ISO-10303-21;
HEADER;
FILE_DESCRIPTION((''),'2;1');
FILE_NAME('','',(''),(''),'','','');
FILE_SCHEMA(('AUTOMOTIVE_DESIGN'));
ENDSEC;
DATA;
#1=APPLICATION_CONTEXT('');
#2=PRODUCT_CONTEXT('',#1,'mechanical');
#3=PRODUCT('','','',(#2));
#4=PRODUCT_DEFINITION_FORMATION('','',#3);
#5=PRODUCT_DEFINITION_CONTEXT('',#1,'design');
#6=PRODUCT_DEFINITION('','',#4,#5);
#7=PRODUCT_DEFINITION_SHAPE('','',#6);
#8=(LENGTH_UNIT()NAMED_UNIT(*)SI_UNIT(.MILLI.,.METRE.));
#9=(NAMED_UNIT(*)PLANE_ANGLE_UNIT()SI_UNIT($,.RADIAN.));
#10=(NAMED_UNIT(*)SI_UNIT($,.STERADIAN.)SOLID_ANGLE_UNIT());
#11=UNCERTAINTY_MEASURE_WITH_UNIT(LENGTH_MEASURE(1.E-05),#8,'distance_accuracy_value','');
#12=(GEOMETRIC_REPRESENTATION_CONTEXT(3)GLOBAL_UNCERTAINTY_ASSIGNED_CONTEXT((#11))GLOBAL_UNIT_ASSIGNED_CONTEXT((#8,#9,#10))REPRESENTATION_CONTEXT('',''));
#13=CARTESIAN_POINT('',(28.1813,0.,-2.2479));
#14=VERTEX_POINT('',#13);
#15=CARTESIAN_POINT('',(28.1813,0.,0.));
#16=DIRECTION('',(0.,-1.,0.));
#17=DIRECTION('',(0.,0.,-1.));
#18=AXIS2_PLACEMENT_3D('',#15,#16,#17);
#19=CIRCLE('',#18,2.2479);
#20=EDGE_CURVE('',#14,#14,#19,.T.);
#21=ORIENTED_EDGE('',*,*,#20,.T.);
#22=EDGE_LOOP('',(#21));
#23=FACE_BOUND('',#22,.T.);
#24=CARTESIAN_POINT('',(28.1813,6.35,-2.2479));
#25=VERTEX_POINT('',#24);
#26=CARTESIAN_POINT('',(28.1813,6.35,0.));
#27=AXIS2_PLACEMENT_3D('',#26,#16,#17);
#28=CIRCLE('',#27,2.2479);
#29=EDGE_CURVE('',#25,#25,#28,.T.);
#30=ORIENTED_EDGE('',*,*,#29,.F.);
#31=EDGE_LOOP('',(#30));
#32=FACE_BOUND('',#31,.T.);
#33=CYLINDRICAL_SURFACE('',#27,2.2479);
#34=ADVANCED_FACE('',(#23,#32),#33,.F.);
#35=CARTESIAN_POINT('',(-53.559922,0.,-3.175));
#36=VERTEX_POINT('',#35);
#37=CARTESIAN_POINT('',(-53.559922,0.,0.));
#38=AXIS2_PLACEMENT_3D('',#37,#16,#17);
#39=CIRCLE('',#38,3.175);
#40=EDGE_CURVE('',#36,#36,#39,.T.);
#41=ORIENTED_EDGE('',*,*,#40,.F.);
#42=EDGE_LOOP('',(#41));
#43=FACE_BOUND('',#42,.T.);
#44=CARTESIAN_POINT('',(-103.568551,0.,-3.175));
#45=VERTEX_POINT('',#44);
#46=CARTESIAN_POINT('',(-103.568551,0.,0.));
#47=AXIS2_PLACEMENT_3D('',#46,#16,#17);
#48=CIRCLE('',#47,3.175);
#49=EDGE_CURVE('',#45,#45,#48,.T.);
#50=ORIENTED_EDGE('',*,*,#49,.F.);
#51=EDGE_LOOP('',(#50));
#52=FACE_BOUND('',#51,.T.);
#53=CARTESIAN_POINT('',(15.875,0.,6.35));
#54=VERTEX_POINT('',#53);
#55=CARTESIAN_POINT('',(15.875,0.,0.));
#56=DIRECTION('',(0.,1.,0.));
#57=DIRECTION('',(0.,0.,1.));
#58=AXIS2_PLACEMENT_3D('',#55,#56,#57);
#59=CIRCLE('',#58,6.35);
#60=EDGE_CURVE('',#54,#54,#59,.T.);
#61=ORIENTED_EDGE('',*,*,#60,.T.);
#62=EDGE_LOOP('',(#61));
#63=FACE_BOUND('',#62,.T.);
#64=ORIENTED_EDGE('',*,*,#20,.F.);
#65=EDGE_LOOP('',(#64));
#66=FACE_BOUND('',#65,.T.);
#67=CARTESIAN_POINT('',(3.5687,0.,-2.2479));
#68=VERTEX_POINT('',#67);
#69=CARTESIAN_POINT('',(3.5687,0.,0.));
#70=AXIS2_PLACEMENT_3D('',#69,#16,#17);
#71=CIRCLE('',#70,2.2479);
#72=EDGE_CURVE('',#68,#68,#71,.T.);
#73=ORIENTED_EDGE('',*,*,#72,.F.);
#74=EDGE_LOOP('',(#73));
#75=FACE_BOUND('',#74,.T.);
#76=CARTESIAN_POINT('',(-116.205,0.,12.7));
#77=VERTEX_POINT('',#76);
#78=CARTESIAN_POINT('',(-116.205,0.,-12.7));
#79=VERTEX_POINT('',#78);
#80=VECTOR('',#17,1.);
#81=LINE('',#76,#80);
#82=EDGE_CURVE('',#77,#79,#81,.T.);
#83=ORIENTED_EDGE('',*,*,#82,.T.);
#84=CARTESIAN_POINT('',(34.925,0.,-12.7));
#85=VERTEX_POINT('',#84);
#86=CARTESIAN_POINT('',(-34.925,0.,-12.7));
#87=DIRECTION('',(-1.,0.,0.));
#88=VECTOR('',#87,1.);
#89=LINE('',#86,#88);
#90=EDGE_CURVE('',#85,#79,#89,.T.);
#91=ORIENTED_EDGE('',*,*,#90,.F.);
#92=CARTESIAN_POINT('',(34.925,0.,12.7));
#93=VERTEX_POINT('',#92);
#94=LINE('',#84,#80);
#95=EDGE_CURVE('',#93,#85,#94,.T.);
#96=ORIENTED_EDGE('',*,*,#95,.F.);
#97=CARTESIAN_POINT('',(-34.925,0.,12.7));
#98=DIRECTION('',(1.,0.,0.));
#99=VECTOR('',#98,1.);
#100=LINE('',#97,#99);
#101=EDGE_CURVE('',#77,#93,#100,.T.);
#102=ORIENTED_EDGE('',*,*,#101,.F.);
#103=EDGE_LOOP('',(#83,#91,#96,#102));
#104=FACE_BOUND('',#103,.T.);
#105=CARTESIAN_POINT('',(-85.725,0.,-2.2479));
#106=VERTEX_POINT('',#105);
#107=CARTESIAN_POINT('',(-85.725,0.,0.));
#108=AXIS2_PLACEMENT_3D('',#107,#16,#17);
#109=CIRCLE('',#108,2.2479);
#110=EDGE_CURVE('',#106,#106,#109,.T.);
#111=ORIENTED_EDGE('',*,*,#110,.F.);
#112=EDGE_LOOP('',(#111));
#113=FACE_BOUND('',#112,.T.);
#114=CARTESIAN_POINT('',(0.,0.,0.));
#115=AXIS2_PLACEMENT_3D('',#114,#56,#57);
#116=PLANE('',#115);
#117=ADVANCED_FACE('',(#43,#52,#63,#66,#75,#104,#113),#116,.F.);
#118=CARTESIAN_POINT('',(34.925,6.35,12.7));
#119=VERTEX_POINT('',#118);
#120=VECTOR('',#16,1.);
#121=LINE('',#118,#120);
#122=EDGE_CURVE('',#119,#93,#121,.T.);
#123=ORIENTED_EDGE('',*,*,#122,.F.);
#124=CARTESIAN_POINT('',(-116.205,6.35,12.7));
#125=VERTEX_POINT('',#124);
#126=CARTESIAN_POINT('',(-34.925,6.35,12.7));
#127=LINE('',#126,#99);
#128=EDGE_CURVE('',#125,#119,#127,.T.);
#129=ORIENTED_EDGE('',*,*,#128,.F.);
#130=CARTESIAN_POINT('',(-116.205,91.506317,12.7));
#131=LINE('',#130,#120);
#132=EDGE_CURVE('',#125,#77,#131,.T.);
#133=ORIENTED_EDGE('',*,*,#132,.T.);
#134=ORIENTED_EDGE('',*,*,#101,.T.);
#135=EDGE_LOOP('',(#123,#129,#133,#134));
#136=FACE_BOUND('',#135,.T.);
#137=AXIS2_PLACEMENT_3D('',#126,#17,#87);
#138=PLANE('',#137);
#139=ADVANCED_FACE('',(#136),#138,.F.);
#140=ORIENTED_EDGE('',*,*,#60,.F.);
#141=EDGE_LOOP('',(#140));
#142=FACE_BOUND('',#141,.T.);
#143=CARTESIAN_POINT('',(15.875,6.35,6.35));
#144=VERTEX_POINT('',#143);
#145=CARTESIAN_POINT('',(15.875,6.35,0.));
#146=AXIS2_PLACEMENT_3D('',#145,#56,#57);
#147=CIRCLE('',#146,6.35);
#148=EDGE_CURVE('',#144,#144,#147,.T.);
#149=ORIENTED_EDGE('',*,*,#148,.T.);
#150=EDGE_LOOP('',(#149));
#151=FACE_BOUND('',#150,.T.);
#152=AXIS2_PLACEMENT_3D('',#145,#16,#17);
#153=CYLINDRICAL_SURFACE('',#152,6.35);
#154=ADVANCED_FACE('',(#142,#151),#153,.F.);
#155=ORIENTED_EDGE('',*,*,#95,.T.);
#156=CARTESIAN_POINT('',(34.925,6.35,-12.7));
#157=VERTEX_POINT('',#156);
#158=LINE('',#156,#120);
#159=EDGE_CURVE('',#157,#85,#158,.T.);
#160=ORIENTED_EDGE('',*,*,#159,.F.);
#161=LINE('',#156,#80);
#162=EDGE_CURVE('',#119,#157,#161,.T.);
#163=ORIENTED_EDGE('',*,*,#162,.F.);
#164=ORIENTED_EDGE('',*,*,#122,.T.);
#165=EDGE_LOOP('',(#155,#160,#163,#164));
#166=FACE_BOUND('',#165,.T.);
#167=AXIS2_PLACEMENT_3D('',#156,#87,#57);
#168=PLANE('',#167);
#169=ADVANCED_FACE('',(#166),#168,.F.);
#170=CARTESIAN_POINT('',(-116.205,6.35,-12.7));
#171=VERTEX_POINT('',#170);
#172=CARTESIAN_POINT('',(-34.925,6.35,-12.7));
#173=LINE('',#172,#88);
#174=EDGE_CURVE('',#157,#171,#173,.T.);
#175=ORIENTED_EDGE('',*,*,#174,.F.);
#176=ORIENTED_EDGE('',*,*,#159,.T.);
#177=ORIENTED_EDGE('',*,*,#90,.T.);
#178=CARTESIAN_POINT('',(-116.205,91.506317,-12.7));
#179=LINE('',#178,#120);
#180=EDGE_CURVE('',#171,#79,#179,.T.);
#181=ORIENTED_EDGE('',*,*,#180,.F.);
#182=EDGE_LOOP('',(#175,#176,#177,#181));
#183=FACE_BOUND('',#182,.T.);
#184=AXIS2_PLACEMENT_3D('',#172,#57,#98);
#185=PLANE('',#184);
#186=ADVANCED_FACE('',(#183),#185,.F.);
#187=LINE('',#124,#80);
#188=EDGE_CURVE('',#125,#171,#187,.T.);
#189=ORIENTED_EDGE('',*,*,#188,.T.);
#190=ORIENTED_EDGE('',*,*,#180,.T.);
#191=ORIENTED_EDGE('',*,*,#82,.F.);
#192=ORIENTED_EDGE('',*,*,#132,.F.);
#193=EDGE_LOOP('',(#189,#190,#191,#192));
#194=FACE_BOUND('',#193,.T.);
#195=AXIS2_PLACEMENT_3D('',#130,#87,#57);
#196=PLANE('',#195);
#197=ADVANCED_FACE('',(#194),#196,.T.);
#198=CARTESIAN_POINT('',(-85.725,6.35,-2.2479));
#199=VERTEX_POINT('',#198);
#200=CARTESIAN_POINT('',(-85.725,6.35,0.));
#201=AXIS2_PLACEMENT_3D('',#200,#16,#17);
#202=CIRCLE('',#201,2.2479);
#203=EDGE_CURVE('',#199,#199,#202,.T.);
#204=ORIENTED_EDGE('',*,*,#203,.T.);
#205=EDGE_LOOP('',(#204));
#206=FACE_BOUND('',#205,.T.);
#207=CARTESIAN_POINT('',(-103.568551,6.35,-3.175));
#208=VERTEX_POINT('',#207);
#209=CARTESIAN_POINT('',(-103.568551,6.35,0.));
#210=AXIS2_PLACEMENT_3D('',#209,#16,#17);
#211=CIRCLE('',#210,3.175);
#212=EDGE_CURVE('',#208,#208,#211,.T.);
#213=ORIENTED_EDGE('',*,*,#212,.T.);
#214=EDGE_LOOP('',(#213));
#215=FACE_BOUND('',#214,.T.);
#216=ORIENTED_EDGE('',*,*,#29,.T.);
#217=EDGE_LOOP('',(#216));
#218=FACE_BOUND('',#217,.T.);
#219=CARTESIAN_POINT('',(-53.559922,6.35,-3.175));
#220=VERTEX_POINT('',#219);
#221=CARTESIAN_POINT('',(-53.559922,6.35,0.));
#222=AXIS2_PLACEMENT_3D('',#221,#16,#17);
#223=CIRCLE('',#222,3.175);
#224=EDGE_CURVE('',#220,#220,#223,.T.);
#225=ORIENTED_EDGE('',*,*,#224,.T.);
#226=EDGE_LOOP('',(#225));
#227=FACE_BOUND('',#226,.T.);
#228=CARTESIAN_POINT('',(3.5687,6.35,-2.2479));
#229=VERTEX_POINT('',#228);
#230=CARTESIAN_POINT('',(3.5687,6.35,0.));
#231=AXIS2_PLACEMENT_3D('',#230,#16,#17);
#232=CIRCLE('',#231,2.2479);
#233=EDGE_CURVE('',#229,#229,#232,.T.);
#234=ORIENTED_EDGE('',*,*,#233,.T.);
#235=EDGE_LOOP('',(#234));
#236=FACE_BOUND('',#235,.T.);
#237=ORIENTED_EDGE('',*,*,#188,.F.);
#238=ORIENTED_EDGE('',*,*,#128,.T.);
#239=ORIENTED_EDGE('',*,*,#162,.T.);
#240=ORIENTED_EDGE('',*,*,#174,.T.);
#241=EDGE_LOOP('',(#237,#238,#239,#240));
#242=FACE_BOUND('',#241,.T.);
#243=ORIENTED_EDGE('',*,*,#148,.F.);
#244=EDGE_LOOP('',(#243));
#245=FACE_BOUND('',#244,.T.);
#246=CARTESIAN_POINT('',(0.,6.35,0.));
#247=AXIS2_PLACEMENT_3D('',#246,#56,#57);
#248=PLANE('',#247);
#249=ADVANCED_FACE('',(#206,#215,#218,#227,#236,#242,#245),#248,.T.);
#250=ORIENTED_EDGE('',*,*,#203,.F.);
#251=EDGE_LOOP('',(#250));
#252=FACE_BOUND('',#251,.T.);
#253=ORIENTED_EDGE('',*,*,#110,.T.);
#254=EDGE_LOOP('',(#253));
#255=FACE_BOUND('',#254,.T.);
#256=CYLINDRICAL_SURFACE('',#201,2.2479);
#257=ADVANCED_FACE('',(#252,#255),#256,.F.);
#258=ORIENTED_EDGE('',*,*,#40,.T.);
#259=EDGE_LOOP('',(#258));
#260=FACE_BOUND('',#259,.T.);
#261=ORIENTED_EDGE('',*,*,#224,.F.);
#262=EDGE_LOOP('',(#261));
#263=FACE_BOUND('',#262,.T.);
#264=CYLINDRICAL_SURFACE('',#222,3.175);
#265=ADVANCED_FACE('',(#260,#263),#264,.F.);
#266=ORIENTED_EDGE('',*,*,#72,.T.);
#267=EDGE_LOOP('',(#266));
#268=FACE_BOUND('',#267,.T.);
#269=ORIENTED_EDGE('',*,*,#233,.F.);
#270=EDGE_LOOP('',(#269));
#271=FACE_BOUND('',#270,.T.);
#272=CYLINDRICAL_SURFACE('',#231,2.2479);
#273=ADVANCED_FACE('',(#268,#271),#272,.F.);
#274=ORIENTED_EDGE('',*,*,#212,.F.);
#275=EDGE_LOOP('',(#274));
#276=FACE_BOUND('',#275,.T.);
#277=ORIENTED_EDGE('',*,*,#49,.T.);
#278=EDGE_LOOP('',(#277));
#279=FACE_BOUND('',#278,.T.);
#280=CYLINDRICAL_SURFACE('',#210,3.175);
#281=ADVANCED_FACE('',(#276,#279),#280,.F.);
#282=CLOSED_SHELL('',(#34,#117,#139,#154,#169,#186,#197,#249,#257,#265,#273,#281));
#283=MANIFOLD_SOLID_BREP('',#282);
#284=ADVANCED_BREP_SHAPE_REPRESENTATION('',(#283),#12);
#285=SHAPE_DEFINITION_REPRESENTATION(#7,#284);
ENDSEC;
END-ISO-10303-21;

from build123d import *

# Parameters (mm, degrees)
SKETCH1_W           = 69.85
SKETCH1_H           = 25.4
SKETCH1_R           = 6.35
BOSS_EXTRUDE1_DEPTH = 6.35
SKETCH3_W           = 81.28
SKETCH3_H           = 25.4
BOSS_EXTRUDE2_DEPTH = 6.35
SKETCH4_R           = 3.175
SKETCH4_R_2         = 2.2479
CUT_EXTRUDE2_DEPTH  = 118.069272335
SKETCH5_R           = 2.2479
CUT_EXTRUDE3_DEPTH  = 118.069272335


with BuildPart() as part:
    # Sketch1 → Boss-Extrude1 (new body)
    with BuildSketch(Plane(origin=(0, 0, 0), x_dir=(1, 0, 0), z_dir=(0, 1, 0))):
        Rectangle(SKETCH1_W, SKETCH1_H)
        with Locations(Location((15.875, 0, 0), (0, 0, 270))):
            Circle(SKETCH1_R, mode=Mode.SUBTRACT)
    extrude(amount=BOSS_EXTRUDE1_DEPTH)

    # Sketch3 → Boss-Extrude2 (add)
    with BuildSketch(Plane.XZ):
        with Locations((-75.565, 0)):
            Rectangle(SKETCH3_W, SKETCH3_H)
    extrude(amount=-BOSS_EXTRUDE2_DEPTH)

    # Sketch4 → Cut-Extrude2 (cut, through all)
    with BuildSketch(Plane.XZ):
        with Locations(Location((-53.55992209, 0, 0), (0, 0, 270))):
            Circle(SKETCH4_R)
        with Locations(Location((-85.725, 0, 0), (0, 0, 270))):
            Circle(SKETCH4_R_2)
        with Locations(Location((-103.5685508, 0, 0), (0, 0, 270))):
            Circle(SKETCH4_R)
    extrude(amount=-CUT_EXTRUDE2_DEPTH, mode=Mode.SUBTRACT)

    # Sketch5 → Cut-Extrude3 (cut, through all)
    with BuildSketch(Plane.XZ):
        with Locations(Location((28.1813, 0, 0), (0, 0, 270))):
            Circle(SKETCH5_R)
        with Locations(Location((3.5687, 0, 0), (0, 0, 270))):
            Circle(SKETCH5_R)
    extrude(amount=-CUT_EXTRUDE3_DEPTH, mode=Mode.SUBTRACT)


solid = part.part
